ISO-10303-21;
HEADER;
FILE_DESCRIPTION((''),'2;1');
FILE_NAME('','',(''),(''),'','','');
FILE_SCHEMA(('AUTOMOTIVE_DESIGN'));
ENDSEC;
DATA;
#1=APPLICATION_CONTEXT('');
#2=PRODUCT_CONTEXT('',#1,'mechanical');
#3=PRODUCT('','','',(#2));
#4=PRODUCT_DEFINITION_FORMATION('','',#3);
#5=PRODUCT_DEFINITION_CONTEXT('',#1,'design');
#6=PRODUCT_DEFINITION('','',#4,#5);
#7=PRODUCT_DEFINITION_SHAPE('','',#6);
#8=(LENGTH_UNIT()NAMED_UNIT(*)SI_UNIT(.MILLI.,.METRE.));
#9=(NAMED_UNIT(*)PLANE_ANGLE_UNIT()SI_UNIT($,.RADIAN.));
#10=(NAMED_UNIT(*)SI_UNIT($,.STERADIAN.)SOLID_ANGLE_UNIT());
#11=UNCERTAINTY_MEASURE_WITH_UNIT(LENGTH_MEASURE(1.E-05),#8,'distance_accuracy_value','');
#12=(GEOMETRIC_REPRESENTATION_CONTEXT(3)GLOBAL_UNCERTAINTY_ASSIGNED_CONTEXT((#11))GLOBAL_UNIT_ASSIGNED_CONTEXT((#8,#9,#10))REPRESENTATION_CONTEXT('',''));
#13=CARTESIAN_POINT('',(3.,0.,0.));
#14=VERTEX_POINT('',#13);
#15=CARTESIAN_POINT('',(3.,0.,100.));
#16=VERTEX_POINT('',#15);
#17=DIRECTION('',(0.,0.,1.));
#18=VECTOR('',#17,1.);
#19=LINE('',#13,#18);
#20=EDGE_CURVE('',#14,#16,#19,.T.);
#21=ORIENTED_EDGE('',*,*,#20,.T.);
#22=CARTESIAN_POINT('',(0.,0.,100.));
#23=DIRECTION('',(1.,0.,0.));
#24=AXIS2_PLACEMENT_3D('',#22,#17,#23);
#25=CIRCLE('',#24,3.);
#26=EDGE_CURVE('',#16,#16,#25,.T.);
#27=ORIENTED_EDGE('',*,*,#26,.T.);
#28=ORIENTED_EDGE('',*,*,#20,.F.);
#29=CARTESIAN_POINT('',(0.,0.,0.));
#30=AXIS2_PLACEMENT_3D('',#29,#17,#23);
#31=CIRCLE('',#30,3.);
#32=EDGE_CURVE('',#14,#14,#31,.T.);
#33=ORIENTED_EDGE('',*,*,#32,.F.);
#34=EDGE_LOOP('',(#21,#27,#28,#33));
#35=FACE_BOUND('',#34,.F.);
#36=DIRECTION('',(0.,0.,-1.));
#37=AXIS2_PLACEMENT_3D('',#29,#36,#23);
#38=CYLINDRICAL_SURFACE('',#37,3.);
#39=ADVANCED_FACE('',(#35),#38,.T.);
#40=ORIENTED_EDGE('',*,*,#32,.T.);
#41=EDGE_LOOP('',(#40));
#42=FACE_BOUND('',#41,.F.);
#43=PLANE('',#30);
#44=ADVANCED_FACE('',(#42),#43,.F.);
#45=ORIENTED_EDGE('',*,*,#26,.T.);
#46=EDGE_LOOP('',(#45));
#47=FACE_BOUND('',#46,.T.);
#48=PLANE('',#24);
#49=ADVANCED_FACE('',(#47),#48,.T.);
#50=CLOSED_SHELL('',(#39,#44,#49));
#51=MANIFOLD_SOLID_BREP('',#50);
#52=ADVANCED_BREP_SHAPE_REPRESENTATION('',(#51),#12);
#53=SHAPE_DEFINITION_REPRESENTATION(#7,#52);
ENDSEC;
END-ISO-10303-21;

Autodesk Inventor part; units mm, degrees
ref_plane "YZ Plane" through (0, 0, 0) normal (1, 0, 0) x (0, 1, 0)
ref_plane "XZ Plane" through (0, 0, 0) normal (0, 1, 0) x (-1, 0, 0)
ref_plane "XY Plane" through (0, 0, 0) normal (0, 0, 1) x (1, 0, 0)
sketch "Sketch1" plane through (0, 0, 0) normal (0, 0, 1) x (1, 0, 0)
  circle A0 centre (0, 0) radius 3
  dimension "d0" = 6
extrude "Extrusion1" add sketch "Sketch1" along normal blind 100
properties part number "Pieza Prueba Cilindro"
